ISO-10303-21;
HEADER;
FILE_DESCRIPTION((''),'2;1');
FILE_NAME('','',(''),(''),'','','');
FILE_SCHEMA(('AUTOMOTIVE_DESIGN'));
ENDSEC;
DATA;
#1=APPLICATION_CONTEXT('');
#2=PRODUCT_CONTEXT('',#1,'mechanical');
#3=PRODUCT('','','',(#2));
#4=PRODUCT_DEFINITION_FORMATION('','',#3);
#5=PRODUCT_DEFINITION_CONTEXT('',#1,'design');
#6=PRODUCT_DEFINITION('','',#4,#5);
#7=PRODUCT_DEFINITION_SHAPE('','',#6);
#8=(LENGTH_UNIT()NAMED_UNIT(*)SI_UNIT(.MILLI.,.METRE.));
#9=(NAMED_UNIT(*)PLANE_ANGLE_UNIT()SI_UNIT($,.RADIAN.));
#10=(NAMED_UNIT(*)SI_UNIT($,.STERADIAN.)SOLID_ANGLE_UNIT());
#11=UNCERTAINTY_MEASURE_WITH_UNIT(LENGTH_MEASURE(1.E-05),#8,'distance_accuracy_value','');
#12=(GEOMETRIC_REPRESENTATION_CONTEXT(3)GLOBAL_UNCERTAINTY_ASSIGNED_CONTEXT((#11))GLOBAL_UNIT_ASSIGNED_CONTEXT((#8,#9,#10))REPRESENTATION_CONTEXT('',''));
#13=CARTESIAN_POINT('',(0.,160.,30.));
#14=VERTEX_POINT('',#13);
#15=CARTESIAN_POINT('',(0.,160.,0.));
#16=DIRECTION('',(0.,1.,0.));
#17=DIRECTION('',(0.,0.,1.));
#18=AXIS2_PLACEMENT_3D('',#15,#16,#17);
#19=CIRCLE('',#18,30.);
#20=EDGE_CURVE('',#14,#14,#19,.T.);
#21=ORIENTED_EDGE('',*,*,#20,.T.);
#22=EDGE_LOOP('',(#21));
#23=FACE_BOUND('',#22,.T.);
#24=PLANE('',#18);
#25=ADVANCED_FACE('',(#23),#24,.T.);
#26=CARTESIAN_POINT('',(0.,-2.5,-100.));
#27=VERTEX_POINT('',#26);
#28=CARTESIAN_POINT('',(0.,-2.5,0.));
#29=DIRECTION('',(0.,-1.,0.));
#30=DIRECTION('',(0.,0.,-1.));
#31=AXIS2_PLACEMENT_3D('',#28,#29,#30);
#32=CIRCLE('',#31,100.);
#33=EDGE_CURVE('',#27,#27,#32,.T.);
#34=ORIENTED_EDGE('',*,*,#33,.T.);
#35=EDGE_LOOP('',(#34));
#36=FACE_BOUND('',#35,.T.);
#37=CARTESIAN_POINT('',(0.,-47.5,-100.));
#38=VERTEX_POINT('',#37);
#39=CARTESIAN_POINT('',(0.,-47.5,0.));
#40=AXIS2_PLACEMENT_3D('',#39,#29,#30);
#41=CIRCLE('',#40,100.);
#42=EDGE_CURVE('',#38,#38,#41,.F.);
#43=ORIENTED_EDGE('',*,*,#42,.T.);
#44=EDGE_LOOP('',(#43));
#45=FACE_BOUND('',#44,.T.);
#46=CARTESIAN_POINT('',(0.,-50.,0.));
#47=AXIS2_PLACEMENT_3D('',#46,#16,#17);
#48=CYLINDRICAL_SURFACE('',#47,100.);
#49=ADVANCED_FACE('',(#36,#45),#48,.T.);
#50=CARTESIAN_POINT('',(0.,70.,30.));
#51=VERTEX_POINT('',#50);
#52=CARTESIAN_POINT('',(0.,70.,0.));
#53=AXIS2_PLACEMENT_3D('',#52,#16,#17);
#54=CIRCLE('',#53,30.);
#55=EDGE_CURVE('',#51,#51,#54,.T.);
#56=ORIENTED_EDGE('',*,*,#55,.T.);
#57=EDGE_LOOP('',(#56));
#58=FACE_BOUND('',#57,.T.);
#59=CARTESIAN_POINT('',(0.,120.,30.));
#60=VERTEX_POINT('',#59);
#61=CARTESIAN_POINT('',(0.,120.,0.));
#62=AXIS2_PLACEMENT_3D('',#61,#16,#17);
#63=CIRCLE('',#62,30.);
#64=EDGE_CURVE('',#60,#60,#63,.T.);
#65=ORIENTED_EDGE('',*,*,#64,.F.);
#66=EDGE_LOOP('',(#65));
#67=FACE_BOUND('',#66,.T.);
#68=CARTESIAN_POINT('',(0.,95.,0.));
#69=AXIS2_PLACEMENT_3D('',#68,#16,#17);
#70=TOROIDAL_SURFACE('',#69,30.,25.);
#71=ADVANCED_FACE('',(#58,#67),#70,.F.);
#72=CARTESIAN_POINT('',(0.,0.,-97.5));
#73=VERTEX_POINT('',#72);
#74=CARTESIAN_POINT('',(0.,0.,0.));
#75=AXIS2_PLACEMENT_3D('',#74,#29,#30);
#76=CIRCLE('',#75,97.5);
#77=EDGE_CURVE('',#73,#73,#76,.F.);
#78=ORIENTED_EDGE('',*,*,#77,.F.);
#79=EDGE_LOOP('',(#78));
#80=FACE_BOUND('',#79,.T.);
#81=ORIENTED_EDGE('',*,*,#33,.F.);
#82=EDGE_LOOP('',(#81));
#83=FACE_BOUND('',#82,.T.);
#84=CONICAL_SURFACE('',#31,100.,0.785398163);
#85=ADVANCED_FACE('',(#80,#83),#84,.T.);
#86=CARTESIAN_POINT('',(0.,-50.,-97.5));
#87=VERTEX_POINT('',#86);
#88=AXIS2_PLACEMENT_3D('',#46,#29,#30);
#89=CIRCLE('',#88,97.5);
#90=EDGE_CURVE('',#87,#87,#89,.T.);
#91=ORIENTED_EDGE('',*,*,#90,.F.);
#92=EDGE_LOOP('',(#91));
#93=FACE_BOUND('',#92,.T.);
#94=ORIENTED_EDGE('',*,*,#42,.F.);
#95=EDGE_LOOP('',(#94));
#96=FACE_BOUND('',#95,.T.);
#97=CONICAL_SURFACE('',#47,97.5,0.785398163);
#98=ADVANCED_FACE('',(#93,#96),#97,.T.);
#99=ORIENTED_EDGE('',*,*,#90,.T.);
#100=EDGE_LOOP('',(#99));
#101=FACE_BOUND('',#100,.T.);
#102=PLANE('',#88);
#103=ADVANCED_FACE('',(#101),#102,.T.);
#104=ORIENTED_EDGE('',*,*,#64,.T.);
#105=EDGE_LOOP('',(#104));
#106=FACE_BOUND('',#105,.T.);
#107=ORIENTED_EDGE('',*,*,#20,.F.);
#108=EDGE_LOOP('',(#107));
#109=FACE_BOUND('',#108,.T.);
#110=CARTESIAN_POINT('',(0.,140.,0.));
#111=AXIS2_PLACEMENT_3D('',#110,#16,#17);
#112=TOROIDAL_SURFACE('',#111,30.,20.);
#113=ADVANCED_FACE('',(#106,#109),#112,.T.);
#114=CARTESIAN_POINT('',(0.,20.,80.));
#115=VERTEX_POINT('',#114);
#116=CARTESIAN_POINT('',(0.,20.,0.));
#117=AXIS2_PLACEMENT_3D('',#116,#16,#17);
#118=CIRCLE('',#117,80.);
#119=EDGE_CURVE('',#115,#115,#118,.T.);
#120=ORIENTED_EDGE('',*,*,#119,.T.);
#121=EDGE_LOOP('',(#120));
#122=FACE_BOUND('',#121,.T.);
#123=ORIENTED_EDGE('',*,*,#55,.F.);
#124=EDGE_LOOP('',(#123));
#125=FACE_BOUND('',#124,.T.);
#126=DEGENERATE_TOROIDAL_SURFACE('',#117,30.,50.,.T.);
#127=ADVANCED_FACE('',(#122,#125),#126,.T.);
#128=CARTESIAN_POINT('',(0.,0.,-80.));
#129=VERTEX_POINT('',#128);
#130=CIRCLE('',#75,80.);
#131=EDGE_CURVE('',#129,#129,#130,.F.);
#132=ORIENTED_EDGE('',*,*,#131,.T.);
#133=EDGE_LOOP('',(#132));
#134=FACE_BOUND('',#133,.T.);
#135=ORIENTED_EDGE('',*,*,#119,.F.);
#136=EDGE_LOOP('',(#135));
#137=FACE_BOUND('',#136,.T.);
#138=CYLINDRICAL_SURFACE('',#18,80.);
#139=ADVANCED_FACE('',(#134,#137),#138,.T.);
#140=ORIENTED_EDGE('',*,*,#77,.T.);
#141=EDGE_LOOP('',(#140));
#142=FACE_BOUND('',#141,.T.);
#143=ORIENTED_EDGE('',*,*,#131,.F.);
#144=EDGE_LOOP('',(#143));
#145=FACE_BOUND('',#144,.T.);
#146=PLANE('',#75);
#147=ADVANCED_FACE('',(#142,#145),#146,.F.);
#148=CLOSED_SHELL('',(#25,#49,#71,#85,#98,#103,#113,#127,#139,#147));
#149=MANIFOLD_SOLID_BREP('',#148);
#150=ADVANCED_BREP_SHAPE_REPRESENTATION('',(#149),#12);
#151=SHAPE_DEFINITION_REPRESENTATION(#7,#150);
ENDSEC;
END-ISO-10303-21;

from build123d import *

# Parameters (mm, degrees)
ESQUISSE2_R      = 100
EXTRUSION1_DEPTH = 50
CHANFREIN1_SIZE  = 2.5


with BuildPart() as part:
    # Esquisse1 → Révolution2 (revolve)
    with BuildSketch(Plane.XY):
        with BuildLine():
            Line((0, 160), (-30, 160))
            ThreePointArc((-30, 160), (-50, 140), (-30, 120))
            ThreePointArc((-30, 120), (-5, 95), (-30, 70))
            ThreePointArc((-30, 70), (-65.355339059, 55.355339059), (-80, 20))
            Line((-80, 20), (-80, 0))
            Line((-80, 0), (0, 0))
            Line((0, 0), (0, 160))
        make_face()
    revolve(axis=Axis((0, 160, 0), (0, -1, 0)))

    # Esquisse2 → Extrusion1 (add)
    with BuildSketch(Plane.XZ):
        Circle(ESQUISSE2_R)
    extrude(amount=EXTRUSION1_DEPTH)

    # Chanfrein1
    chanfrein1_edges = [part.edges().sort_by_distance(p)[0] for p in [
        (-100, 0, 0),
        (-100, -50, 0),
    ]]
    chamfer(chanfrein1_edges, length=CHANFREIN1_SIZE)


solid = part.part
